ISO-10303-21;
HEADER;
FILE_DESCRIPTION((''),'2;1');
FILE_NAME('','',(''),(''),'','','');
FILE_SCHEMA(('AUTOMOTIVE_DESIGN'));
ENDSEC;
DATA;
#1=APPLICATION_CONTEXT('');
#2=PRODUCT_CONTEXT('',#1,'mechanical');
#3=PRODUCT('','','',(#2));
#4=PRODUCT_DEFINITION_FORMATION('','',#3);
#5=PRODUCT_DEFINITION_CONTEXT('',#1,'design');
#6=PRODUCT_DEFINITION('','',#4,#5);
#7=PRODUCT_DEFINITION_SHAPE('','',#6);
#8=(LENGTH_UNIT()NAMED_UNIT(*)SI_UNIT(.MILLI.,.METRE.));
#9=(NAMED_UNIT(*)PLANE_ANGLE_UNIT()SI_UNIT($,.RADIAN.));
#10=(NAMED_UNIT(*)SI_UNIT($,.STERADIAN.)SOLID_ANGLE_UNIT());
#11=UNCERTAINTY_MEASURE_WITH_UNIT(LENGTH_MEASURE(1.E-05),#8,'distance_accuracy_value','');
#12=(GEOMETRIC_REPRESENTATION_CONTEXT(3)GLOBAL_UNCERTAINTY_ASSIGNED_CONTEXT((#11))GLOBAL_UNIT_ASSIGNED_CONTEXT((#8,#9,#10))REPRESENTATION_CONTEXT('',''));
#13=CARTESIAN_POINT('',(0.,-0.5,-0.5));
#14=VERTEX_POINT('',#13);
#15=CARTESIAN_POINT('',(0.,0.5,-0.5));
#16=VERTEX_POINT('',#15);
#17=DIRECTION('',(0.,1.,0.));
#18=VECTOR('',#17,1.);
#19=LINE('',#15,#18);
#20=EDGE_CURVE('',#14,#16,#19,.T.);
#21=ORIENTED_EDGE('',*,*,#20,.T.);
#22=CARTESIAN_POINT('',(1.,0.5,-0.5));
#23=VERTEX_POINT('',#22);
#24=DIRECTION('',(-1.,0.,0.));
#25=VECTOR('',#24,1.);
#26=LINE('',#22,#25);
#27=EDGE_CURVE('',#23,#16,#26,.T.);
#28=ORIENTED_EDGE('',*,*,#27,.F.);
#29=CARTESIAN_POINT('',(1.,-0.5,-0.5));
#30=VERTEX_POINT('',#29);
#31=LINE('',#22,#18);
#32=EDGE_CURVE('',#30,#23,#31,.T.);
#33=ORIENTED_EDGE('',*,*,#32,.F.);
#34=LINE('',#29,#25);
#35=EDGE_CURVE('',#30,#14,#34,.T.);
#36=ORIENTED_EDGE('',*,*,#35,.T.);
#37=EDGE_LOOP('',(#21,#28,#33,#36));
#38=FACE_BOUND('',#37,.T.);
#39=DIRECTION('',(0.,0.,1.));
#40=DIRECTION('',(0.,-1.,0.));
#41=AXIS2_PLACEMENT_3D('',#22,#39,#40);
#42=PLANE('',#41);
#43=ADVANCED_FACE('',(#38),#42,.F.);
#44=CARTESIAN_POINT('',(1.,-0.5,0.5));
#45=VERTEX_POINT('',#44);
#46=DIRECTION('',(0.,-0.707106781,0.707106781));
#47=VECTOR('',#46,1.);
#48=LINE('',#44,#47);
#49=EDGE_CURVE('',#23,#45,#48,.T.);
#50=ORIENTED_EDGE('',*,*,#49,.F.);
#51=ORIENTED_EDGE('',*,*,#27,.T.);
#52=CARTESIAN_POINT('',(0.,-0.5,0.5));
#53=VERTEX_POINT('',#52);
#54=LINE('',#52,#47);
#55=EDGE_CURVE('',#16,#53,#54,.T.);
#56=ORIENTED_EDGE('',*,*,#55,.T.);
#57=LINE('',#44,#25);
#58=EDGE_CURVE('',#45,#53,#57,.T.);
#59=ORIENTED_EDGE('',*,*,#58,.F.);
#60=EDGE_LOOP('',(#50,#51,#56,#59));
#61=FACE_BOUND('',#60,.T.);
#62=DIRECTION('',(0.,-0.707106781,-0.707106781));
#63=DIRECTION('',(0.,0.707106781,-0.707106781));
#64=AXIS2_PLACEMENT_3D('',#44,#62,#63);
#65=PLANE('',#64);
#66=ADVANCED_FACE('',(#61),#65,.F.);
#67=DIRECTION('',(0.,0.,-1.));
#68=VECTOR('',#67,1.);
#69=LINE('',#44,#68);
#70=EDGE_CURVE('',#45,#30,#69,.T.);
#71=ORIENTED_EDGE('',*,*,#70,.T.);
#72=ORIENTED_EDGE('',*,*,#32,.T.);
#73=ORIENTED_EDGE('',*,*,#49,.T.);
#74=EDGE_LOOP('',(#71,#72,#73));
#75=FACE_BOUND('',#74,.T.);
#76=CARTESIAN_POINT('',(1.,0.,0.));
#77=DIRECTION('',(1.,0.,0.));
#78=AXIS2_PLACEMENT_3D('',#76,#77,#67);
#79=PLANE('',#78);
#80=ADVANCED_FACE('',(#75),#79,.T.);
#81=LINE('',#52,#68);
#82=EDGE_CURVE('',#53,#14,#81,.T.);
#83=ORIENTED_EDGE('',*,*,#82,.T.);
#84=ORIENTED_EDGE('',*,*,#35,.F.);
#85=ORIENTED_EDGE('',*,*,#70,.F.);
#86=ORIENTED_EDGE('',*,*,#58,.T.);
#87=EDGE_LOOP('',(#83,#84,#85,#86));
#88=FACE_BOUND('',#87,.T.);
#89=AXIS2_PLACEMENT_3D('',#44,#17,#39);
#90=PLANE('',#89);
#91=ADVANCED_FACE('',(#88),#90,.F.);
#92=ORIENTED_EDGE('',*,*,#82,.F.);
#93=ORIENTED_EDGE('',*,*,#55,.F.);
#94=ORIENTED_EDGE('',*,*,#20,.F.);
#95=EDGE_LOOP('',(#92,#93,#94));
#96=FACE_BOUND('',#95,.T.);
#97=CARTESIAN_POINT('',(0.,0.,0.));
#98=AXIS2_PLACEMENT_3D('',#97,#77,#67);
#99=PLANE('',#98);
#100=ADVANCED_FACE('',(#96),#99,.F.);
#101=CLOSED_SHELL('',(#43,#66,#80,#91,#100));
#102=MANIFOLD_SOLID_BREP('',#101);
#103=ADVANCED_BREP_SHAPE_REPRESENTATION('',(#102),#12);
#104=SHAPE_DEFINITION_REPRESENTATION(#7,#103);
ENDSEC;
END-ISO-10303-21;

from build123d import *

# Parameters (mm, degrees)
BOSS_EXTRUDE1_DEPTH = 1


with BuildPart() as part:
    # Sketch1 → Boss-Extrude1 (new body)
    with BuildSketch(Plane(origin=(0, 0, 0), x_dir=(0, 0, -1), z_dir=(1, 0, 0))):
        Polygon((-0.5, -0.5), (0.5, 0.5), (0.5, -0.5), align=None)
    extrude(amount=BOSS_EXTRUDE1_DEPTH)


solid = part.part
